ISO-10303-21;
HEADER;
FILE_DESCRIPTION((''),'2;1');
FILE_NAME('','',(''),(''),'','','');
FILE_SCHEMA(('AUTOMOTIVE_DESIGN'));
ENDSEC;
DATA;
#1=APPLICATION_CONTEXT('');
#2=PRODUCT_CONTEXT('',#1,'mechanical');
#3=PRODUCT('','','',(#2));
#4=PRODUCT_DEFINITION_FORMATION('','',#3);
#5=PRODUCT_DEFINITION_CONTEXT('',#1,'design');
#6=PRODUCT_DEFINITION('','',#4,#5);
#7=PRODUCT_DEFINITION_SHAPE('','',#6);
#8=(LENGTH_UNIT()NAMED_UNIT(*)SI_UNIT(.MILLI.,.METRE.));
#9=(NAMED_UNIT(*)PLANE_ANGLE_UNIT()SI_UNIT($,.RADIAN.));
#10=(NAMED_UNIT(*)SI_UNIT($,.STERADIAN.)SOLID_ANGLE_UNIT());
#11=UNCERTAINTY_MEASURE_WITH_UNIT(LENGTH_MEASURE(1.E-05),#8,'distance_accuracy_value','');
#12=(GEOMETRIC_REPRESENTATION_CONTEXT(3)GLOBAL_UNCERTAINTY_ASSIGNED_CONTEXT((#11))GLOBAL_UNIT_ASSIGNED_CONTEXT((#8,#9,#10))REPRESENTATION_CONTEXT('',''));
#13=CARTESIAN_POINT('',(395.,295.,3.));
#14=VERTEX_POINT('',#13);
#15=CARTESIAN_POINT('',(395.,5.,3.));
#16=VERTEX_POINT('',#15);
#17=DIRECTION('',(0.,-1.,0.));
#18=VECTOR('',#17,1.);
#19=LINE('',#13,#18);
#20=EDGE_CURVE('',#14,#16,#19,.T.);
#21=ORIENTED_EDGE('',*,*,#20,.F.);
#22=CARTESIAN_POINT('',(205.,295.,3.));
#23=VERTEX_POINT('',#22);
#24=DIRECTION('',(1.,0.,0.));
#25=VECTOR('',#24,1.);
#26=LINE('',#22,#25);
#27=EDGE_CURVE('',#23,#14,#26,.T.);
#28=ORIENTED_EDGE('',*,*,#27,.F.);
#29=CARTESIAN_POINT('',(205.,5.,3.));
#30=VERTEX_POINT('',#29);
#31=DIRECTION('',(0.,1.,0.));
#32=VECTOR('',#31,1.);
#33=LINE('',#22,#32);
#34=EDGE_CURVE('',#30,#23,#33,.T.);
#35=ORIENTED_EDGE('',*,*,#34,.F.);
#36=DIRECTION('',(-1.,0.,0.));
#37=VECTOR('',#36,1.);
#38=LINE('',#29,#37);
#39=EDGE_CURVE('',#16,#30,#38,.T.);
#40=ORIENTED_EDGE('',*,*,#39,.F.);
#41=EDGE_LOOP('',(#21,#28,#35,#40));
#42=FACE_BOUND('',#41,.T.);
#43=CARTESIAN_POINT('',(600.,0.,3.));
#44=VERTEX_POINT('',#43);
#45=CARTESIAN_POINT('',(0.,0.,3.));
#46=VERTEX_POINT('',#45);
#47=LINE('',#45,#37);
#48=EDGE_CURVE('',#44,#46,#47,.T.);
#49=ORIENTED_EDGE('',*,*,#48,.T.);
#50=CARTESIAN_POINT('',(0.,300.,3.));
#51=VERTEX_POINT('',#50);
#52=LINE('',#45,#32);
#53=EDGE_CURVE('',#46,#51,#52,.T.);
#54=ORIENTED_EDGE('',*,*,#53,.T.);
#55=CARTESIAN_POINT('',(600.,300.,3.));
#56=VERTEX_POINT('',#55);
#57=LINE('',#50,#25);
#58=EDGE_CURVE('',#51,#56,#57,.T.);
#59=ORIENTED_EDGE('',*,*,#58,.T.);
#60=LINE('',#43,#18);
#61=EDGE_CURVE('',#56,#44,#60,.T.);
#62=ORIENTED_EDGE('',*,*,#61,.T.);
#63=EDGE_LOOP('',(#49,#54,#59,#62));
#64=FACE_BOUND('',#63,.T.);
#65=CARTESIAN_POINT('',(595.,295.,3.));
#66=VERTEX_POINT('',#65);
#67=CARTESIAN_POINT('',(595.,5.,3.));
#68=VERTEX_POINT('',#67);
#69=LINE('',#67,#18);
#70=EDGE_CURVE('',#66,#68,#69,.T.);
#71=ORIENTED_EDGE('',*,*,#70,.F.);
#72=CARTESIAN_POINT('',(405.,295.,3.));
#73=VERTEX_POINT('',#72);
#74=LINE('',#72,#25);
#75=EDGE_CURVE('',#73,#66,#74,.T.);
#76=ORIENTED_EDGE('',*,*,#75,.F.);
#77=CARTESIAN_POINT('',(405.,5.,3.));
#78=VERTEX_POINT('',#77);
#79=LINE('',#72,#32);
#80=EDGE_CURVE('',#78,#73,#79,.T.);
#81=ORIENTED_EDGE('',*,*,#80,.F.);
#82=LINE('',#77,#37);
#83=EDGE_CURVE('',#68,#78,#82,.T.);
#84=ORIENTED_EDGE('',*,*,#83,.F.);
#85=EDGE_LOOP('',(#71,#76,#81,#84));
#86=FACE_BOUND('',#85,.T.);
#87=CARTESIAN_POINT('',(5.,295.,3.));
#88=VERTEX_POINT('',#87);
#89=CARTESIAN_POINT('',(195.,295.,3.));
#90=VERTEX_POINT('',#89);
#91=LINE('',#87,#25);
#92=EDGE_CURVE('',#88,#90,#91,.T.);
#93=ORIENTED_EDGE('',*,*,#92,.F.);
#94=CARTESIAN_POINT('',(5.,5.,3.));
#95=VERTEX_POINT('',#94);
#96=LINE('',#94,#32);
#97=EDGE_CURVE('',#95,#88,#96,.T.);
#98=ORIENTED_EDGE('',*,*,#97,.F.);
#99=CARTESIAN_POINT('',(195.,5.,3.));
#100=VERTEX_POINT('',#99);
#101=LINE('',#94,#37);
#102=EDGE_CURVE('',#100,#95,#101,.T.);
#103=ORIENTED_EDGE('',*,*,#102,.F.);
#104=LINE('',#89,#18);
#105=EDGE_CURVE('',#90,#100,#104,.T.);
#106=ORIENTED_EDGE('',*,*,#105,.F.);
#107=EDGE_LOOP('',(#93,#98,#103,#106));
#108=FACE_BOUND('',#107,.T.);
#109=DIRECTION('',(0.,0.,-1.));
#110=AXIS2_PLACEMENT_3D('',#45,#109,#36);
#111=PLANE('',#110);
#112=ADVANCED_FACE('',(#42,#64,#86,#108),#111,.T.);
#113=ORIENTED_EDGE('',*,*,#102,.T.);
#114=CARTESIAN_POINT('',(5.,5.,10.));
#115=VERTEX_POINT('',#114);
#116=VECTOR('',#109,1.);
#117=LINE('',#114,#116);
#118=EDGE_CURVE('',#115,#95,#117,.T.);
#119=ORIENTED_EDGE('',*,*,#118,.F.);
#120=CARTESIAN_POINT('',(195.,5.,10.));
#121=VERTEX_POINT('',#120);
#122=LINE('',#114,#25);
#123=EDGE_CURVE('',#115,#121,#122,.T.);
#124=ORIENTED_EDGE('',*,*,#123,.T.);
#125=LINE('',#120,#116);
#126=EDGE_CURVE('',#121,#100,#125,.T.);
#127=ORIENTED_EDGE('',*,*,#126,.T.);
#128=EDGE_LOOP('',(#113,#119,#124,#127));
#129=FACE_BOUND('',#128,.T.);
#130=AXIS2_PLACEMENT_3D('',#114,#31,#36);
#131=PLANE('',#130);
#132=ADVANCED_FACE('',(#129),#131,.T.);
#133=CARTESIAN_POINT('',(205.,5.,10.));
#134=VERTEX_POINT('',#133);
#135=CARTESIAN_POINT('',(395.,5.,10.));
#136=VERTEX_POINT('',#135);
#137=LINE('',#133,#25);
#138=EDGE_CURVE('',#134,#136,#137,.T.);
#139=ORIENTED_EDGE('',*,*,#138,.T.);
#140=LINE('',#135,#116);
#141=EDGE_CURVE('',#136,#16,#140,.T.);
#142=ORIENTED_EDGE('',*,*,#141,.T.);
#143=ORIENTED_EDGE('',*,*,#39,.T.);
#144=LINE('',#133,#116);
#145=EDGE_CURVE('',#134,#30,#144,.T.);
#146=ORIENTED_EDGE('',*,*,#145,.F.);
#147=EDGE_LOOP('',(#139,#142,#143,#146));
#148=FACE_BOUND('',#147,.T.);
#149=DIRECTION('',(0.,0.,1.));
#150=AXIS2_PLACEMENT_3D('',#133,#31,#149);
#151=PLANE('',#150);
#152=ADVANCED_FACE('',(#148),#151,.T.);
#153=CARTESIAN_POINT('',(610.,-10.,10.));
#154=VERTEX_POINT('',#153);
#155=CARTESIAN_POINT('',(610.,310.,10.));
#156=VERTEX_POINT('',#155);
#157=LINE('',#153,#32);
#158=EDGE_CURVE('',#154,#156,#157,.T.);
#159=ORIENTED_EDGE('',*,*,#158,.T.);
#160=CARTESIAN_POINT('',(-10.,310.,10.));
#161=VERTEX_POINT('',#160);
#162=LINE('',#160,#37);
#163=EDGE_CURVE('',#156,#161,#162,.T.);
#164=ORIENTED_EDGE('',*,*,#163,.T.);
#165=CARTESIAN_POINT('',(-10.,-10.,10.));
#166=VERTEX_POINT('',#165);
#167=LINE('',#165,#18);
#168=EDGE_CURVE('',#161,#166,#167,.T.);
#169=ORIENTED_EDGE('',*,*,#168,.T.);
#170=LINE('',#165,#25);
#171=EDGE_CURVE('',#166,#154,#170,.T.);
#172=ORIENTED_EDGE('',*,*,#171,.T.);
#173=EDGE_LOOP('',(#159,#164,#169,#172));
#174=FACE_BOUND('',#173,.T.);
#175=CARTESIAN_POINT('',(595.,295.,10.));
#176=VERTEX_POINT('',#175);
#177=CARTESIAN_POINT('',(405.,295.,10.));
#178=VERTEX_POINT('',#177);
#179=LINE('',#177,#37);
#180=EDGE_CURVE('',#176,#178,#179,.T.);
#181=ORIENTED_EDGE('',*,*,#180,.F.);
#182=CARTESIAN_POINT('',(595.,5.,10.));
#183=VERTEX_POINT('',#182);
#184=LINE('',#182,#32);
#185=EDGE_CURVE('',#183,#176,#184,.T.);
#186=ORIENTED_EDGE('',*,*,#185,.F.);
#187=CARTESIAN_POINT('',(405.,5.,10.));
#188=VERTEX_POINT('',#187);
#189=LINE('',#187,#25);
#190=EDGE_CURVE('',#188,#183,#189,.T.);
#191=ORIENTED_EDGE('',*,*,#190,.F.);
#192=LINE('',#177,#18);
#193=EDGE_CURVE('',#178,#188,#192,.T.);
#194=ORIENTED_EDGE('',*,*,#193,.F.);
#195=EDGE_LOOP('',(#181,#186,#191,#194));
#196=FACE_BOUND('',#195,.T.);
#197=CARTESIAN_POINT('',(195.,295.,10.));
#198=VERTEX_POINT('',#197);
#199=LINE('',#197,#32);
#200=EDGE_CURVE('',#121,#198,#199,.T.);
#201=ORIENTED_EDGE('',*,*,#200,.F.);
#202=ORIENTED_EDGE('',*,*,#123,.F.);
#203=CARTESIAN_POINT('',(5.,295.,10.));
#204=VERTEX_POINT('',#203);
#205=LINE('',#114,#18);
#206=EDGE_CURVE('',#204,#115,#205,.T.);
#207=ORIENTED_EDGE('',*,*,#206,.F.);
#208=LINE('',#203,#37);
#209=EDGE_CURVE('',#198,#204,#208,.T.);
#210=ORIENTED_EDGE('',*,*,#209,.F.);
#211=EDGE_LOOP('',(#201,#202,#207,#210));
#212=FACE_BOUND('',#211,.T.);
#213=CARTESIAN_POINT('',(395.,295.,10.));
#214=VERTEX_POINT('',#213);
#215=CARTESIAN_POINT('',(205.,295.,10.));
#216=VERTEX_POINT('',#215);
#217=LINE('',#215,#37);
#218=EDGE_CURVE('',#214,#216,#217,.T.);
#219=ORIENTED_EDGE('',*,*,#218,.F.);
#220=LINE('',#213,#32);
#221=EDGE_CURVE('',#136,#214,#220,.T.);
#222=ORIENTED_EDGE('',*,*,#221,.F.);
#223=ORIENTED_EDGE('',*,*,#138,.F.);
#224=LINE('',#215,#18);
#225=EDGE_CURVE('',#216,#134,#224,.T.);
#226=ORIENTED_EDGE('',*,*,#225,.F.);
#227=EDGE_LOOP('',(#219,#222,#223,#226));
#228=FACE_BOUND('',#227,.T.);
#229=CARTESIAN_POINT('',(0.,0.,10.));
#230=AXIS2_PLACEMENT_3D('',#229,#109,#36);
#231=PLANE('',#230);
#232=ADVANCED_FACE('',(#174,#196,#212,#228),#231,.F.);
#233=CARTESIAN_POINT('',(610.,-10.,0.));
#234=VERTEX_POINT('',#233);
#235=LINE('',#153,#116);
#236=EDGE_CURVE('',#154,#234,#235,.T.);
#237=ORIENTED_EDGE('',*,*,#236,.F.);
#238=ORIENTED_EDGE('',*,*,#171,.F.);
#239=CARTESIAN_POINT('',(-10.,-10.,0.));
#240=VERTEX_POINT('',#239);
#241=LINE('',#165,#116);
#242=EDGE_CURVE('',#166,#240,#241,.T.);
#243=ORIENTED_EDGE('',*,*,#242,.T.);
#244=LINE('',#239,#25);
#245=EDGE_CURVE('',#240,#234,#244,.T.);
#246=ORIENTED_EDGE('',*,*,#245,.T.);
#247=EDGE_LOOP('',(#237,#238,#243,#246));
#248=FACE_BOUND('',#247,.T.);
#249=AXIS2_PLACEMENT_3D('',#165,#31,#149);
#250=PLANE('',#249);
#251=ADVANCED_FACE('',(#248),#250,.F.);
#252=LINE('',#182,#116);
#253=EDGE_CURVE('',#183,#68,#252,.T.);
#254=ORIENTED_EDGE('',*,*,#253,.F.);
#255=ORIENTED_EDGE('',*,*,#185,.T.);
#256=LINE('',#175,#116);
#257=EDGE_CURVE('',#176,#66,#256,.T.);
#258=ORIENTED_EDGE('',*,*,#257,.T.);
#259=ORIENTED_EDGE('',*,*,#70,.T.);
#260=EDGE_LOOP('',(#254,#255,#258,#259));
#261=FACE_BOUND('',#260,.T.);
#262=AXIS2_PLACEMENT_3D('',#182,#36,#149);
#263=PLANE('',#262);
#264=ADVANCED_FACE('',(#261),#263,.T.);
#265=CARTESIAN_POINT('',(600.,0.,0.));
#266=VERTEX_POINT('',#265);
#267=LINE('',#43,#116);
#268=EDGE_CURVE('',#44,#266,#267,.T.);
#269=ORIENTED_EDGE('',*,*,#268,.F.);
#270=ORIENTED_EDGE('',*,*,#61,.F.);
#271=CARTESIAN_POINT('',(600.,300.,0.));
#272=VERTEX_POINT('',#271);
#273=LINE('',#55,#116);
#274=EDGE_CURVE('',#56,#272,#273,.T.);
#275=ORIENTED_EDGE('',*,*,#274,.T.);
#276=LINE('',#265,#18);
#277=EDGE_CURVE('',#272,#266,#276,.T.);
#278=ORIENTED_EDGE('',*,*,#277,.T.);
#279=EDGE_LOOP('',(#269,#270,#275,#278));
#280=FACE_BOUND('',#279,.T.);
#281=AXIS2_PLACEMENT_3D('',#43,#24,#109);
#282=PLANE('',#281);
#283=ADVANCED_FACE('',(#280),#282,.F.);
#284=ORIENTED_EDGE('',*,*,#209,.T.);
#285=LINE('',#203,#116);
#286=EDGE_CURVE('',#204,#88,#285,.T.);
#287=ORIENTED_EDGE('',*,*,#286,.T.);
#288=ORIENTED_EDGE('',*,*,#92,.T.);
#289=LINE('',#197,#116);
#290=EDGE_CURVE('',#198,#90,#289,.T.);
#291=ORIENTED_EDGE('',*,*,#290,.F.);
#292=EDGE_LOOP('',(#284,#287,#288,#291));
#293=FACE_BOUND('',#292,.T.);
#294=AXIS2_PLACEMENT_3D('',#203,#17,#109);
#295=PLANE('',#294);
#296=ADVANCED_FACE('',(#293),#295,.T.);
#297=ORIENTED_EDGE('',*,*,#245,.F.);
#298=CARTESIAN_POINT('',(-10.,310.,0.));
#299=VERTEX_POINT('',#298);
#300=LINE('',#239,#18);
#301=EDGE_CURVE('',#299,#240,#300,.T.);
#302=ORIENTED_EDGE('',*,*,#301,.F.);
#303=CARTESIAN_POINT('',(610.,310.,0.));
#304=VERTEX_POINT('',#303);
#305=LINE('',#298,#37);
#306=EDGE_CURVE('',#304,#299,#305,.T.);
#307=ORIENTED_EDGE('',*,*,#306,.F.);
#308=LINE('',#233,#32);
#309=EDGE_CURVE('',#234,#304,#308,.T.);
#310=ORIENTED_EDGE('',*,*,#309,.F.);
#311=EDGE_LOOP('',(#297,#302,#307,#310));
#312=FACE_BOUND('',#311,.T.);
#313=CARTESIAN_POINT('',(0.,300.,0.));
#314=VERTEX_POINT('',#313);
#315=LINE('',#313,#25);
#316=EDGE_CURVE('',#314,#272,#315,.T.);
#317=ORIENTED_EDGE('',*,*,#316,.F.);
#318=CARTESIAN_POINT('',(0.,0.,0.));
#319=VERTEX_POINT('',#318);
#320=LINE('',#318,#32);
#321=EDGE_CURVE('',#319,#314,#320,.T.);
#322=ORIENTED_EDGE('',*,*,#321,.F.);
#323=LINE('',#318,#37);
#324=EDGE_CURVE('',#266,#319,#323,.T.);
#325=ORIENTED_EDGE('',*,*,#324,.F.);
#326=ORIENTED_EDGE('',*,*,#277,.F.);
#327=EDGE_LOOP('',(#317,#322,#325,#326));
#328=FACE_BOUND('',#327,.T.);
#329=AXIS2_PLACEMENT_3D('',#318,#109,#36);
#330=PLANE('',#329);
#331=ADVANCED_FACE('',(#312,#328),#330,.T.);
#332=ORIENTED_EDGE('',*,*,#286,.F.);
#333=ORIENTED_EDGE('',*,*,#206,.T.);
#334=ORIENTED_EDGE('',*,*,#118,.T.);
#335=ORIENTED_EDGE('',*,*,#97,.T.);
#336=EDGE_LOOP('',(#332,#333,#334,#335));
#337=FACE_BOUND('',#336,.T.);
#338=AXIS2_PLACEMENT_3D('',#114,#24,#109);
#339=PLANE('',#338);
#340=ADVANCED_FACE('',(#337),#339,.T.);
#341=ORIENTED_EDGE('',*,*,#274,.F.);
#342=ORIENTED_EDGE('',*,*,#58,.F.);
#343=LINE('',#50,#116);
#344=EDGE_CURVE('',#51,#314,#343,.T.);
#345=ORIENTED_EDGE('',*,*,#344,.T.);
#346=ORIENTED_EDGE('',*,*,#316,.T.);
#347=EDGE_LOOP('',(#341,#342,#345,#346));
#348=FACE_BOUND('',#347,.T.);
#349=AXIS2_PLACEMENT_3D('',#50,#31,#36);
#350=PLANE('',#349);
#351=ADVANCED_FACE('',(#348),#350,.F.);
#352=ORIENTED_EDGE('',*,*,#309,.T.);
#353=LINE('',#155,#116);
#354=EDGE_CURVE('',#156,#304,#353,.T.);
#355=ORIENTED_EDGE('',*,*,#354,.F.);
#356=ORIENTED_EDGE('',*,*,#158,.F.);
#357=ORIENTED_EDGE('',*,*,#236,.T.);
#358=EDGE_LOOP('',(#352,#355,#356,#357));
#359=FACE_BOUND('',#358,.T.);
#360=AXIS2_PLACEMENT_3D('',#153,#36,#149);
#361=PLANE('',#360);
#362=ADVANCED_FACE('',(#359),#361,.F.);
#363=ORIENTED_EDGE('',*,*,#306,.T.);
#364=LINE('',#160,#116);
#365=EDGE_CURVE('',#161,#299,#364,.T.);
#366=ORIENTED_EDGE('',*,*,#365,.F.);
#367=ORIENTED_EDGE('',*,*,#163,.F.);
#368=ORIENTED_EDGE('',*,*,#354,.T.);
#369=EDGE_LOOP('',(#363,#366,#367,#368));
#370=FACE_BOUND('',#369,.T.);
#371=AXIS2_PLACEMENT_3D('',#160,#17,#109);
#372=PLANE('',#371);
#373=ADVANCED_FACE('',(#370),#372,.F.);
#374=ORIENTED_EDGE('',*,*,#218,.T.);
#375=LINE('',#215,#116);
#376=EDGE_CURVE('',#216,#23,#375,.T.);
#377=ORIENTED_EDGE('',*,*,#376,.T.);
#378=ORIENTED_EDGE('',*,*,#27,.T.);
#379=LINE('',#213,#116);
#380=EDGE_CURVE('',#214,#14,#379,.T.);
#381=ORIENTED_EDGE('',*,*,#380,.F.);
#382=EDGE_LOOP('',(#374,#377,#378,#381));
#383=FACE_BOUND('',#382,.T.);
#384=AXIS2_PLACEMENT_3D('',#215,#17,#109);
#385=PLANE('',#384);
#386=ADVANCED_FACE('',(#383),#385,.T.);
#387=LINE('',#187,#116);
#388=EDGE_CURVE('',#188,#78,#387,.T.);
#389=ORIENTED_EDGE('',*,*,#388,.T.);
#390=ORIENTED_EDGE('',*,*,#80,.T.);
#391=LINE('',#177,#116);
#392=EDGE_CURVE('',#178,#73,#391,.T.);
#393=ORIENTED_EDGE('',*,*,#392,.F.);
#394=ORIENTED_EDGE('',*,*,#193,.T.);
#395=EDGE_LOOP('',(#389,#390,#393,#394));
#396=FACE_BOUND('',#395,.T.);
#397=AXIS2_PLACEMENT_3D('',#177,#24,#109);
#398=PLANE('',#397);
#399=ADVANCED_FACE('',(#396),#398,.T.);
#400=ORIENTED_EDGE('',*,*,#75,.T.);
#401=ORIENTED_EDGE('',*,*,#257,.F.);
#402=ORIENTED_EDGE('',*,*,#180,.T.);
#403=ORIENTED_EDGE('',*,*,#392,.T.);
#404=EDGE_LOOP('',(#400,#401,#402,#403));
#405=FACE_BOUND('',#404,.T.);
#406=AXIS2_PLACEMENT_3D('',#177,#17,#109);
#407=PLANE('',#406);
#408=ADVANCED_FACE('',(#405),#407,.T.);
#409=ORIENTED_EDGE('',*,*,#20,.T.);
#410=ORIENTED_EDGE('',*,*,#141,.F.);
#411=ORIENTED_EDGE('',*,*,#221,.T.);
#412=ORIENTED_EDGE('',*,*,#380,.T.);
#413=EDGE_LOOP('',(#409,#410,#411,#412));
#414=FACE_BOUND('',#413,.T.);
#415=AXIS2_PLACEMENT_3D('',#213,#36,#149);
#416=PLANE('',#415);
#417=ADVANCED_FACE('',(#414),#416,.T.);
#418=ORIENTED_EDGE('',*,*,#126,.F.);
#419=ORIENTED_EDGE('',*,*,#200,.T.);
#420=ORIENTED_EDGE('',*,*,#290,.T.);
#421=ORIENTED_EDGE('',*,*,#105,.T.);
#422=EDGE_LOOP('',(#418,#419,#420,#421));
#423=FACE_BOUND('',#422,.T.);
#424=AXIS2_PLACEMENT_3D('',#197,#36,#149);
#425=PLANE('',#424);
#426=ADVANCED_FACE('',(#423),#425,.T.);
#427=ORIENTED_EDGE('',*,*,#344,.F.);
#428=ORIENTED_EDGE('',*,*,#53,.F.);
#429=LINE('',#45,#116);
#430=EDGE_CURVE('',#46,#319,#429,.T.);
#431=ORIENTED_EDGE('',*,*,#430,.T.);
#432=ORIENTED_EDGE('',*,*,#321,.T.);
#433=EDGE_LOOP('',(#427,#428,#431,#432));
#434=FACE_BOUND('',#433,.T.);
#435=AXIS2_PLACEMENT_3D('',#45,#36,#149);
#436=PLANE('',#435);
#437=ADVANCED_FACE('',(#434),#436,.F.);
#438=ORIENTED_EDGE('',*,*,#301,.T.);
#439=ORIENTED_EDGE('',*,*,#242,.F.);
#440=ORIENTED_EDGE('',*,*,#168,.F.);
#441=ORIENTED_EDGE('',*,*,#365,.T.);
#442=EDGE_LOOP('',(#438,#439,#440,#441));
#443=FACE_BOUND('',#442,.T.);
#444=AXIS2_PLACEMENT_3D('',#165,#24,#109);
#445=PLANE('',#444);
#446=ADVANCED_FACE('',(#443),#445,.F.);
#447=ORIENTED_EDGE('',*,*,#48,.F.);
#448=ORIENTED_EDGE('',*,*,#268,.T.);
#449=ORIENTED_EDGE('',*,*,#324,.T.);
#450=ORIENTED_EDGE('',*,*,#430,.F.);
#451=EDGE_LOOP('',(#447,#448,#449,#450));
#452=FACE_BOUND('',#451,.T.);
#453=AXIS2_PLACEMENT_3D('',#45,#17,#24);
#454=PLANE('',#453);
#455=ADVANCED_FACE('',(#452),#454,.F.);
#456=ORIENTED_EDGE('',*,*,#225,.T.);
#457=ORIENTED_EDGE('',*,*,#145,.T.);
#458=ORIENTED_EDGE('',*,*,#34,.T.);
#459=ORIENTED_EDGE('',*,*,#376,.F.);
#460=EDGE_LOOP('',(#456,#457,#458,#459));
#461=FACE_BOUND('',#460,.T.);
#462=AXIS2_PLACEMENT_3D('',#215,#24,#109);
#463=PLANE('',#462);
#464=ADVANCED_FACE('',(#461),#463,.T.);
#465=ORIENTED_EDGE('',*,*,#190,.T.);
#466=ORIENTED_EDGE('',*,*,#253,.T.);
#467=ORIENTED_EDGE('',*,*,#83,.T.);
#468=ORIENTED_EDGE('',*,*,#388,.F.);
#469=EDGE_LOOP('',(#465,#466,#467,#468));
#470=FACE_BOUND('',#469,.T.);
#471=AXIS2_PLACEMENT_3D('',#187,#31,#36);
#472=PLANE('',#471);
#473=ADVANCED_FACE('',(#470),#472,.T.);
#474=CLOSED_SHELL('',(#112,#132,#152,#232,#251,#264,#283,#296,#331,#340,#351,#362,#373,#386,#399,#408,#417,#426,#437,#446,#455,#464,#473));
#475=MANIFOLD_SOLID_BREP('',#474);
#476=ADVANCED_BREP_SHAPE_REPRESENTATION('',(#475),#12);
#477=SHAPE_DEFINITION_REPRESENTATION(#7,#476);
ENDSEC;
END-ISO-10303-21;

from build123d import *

# Parameters (mm, degrees)
CROQUIS1_W              = 620
CROQUIS1_H              = 320
CROQUIS1_W_2            = 190
CROQUIS1_H_2            = 290
SALIENTE_EXTRUIR1_DEPTH = 10
CROQUIS2_W              = 600
CROQUIS2_H              = 300
CORTAR_EXTRUIR1_DEPTH   = 3


with BuildPart() as part:
    # Croquis1 → Saliente-Extruir1 (new body)
    with BuildSketch(Plane.XY):
        with Locations((300, 150)):
            Rectangle(CROQUIS1_W, CROQUIS1_H)
        with Locations((100, 150)):
            Rectangle(CROQUIS1_W_2, CROQUIS1_H_2, mode=Mode.SUBTRACT)
        with Locations((500, 150)):
            Rectangle(CROQUIS1_W_2, CROQUIS1_H_2, mode=Mode.SUBTRACT)
        with Locations((300, 150)):
            Rectangle(CROQUIS1_W_2, CROQUIS1_H_2, mode=Mode.SUBTRACT)
    extrude(amount=SALIENTE_EXTRUIR1_DEPTH)

    # Croquis2 → Cortar-Extruir1 (cut)
    with BuildSketch(Plane(origin=(0, 0, 0), x_dir=(-1, 0, 0), z_dir=(0, 0, -1))):
        with Locations((-300, 150)):
            Rectangle(CROQUIS2_W, CROQUIS2_H)
    extrude(amount=-CORTAR_EXTRUIR1_DEPTH, mode=Mode.SUBTRACT)


solid = part.part
